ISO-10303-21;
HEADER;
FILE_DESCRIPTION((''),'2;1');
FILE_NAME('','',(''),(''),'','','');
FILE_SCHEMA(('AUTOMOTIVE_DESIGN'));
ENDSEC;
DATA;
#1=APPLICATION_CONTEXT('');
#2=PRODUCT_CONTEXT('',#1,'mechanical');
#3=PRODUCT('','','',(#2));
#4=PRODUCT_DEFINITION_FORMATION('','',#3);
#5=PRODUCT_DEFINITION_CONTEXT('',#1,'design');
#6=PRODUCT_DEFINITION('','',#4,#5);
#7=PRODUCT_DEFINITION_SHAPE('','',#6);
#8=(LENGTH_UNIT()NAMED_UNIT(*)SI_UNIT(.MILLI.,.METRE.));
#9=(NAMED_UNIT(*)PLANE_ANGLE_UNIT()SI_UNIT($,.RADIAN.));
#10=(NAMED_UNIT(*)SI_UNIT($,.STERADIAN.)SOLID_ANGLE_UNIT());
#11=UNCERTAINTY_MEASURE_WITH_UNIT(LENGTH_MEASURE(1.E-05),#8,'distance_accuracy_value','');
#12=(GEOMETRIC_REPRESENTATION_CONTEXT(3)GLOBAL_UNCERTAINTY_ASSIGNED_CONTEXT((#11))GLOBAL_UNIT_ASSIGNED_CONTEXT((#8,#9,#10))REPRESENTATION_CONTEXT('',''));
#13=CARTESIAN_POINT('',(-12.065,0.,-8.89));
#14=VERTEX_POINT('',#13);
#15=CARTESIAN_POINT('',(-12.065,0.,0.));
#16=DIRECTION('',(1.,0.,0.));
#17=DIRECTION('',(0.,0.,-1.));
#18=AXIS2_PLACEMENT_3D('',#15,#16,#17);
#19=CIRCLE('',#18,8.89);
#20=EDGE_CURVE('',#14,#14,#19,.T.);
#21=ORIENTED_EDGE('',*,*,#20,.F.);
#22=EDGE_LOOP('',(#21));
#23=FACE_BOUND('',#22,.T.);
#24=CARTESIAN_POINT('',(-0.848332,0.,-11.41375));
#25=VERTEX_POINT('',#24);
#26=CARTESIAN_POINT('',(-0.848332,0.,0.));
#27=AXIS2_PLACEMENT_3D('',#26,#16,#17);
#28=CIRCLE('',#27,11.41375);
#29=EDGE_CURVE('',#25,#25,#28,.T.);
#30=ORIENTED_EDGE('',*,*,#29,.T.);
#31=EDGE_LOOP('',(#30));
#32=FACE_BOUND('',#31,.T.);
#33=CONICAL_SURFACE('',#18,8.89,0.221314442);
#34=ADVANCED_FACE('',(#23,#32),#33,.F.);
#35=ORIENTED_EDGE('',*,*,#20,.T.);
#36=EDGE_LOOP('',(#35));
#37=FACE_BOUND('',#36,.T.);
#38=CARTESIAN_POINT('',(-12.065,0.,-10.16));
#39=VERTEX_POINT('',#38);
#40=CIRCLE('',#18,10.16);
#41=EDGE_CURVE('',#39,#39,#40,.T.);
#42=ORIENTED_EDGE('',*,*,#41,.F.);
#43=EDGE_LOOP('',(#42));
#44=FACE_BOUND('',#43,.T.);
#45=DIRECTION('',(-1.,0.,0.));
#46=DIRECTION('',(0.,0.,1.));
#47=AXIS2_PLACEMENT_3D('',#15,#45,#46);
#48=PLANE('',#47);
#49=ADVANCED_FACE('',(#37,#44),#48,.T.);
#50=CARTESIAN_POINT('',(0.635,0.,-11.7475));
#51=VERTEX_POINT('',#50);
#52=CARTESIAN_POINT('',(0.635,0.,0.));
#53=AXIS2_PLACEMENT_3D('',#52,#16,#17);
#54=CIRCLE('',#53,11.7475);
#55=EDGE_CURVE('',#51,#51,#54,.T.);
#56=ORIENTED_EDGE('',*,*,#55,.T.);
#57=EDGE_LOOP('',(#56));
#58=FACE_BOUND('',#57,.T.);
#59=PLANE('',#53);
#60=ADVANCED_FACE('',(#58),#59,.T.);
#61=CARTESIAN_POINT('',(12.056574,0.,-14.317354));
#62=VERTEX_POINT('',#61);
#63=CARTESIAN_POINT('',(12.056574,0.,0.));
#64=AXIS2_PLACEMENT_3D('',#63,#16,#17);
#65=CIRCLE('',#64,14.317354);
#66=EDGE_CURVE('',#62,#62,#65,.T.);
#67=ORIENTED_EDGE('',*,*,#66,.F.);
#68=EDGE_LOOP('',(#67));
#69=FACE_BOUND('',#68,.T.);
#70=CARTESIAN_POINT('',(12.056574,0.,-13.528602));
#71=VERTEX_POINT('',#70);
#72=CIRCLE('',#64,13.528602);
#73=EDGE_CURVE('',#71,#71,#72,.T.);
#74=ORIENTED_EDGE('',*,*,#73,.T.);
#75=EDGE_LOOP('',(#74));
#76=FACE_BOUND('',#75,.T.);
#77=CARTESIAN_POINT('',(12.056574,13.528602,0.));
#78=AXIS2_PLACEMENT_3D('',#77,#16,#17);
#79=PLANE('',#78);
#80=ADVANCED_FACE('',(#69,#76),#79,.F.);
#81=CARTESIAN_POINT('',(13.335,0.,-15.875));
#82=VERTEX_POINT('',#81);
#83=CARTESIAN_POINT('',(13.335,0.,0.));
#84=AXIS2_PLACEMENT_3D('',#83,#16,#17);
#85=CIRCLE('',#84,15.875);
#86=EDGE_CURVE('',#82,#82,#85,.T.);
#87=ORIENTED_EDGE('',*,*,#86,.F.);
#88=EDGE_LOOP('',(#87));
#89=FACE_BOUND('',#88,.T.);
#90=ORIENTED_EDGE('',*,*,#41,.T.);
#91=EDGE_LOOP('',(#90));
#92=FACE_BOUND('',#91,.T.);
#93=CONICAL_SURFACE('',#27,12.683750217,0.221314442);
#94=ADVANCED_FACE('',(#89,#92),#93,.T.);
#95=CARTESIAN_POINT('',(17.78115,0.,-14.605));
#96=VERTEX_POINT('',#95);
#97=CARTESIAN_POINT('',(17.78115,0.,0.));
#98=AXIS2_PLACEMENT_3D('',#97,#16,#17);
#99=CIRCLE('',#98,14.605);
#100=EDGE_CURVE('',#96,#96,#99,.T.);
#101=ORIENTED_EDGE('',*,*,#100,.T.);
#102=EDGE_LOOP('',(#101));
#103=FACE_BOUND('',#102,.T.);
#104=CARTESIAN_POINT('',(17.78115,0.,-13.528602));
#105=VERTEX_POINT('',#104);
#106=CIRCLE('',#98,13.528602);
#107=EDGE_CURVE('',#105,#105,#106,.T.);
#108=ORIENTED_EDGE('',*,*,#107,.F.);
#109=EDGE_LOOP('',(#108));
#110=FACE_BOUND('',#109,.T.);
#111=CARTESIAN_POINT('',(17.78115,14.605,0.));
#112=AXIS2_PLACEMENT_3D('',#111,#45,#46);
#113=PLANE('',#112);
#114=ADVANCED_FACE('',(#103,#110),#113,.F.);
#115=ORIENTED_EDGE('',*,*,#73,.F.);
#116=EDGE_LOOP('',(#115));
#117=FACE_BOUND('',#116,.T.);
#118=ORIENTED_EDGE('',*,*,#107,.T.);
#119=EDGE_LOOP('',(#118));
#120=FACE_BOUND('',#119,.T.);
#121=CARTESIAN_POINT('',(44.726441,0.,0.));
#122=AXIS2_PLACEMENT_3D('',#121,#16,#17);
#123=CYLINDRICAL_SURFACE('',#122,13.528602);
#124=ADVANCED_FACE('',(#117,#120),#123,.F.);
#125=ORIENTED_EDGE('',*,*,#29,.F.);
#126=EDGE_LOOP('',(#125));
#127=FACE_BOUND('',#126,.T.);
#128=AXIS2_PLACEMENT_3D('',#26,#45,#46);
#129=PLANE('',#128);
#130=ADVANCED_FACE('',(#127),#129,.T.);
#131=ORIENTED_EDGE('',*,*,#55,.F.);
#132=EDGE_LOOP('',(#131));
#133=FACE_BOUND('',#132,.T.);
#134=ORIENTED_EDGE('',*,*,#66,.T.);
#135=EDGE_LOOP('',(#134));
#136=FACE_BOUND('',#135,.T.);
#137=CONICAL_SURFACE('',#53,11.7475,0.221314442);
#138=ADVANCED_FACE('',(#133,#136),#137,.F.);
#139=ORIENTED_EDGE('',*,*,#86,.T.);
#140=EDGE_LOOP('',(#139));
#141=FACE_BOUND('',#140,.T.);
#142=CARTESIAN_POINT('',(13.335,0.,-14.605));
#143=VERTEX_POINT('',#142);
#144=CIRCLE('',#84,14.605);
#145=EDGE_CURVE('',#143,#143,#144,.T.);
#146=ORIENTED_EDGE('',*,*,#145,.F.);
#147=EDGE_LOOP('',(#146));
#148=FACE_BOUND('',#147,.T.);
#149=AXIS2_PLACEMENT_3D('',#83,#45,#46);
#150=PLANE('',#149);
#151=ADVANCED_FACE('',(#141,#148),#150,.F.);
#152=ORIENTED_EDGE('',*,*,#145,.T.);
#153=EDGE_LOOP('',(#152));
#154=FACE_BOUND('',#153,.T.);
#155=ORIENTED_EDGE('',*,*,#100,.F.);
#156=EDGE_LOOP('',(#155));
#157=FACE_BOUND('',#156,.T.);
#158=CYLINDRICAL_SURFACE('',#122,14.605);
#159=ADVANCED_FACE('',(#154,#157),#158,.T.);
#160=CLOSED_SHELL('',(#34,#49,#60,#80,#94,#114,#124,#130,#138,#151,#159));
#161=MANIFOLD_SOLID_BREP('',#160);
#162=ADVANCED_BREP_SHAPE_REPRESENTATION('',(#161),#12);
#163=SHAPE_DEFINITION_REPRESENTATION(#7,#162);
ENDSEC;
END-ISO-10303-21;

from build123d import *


with BuildPart() as part:
    # Sketch1 → Revolve4 (revolve)
    with BuildSketch(Plane.XY, mode=Mode.PRIVATE) as revolve4_sk:
        Polygon((-12.065, 10.16), (-12.065, 8.89), (-0.848332369, 11.413750217), (-0.848332369, 0), (0.635, 0), (0.635, 11.7475), (12.056573738, 14.317354091), (12.056573738, 13.528602452), (17.781150083, 13.528602452), (17.781150083, 14.605), (13.335, 14.605), (13.335, 15.875), align=None)
    revolve(revolve4_sk.sketch.rotate(Axis((44.726440805, 0, 0), (-1, 0, 0)), 90), axis=Axis((44.726440805, 0, 0), (-1, 0, 0)))


solid = part.part
